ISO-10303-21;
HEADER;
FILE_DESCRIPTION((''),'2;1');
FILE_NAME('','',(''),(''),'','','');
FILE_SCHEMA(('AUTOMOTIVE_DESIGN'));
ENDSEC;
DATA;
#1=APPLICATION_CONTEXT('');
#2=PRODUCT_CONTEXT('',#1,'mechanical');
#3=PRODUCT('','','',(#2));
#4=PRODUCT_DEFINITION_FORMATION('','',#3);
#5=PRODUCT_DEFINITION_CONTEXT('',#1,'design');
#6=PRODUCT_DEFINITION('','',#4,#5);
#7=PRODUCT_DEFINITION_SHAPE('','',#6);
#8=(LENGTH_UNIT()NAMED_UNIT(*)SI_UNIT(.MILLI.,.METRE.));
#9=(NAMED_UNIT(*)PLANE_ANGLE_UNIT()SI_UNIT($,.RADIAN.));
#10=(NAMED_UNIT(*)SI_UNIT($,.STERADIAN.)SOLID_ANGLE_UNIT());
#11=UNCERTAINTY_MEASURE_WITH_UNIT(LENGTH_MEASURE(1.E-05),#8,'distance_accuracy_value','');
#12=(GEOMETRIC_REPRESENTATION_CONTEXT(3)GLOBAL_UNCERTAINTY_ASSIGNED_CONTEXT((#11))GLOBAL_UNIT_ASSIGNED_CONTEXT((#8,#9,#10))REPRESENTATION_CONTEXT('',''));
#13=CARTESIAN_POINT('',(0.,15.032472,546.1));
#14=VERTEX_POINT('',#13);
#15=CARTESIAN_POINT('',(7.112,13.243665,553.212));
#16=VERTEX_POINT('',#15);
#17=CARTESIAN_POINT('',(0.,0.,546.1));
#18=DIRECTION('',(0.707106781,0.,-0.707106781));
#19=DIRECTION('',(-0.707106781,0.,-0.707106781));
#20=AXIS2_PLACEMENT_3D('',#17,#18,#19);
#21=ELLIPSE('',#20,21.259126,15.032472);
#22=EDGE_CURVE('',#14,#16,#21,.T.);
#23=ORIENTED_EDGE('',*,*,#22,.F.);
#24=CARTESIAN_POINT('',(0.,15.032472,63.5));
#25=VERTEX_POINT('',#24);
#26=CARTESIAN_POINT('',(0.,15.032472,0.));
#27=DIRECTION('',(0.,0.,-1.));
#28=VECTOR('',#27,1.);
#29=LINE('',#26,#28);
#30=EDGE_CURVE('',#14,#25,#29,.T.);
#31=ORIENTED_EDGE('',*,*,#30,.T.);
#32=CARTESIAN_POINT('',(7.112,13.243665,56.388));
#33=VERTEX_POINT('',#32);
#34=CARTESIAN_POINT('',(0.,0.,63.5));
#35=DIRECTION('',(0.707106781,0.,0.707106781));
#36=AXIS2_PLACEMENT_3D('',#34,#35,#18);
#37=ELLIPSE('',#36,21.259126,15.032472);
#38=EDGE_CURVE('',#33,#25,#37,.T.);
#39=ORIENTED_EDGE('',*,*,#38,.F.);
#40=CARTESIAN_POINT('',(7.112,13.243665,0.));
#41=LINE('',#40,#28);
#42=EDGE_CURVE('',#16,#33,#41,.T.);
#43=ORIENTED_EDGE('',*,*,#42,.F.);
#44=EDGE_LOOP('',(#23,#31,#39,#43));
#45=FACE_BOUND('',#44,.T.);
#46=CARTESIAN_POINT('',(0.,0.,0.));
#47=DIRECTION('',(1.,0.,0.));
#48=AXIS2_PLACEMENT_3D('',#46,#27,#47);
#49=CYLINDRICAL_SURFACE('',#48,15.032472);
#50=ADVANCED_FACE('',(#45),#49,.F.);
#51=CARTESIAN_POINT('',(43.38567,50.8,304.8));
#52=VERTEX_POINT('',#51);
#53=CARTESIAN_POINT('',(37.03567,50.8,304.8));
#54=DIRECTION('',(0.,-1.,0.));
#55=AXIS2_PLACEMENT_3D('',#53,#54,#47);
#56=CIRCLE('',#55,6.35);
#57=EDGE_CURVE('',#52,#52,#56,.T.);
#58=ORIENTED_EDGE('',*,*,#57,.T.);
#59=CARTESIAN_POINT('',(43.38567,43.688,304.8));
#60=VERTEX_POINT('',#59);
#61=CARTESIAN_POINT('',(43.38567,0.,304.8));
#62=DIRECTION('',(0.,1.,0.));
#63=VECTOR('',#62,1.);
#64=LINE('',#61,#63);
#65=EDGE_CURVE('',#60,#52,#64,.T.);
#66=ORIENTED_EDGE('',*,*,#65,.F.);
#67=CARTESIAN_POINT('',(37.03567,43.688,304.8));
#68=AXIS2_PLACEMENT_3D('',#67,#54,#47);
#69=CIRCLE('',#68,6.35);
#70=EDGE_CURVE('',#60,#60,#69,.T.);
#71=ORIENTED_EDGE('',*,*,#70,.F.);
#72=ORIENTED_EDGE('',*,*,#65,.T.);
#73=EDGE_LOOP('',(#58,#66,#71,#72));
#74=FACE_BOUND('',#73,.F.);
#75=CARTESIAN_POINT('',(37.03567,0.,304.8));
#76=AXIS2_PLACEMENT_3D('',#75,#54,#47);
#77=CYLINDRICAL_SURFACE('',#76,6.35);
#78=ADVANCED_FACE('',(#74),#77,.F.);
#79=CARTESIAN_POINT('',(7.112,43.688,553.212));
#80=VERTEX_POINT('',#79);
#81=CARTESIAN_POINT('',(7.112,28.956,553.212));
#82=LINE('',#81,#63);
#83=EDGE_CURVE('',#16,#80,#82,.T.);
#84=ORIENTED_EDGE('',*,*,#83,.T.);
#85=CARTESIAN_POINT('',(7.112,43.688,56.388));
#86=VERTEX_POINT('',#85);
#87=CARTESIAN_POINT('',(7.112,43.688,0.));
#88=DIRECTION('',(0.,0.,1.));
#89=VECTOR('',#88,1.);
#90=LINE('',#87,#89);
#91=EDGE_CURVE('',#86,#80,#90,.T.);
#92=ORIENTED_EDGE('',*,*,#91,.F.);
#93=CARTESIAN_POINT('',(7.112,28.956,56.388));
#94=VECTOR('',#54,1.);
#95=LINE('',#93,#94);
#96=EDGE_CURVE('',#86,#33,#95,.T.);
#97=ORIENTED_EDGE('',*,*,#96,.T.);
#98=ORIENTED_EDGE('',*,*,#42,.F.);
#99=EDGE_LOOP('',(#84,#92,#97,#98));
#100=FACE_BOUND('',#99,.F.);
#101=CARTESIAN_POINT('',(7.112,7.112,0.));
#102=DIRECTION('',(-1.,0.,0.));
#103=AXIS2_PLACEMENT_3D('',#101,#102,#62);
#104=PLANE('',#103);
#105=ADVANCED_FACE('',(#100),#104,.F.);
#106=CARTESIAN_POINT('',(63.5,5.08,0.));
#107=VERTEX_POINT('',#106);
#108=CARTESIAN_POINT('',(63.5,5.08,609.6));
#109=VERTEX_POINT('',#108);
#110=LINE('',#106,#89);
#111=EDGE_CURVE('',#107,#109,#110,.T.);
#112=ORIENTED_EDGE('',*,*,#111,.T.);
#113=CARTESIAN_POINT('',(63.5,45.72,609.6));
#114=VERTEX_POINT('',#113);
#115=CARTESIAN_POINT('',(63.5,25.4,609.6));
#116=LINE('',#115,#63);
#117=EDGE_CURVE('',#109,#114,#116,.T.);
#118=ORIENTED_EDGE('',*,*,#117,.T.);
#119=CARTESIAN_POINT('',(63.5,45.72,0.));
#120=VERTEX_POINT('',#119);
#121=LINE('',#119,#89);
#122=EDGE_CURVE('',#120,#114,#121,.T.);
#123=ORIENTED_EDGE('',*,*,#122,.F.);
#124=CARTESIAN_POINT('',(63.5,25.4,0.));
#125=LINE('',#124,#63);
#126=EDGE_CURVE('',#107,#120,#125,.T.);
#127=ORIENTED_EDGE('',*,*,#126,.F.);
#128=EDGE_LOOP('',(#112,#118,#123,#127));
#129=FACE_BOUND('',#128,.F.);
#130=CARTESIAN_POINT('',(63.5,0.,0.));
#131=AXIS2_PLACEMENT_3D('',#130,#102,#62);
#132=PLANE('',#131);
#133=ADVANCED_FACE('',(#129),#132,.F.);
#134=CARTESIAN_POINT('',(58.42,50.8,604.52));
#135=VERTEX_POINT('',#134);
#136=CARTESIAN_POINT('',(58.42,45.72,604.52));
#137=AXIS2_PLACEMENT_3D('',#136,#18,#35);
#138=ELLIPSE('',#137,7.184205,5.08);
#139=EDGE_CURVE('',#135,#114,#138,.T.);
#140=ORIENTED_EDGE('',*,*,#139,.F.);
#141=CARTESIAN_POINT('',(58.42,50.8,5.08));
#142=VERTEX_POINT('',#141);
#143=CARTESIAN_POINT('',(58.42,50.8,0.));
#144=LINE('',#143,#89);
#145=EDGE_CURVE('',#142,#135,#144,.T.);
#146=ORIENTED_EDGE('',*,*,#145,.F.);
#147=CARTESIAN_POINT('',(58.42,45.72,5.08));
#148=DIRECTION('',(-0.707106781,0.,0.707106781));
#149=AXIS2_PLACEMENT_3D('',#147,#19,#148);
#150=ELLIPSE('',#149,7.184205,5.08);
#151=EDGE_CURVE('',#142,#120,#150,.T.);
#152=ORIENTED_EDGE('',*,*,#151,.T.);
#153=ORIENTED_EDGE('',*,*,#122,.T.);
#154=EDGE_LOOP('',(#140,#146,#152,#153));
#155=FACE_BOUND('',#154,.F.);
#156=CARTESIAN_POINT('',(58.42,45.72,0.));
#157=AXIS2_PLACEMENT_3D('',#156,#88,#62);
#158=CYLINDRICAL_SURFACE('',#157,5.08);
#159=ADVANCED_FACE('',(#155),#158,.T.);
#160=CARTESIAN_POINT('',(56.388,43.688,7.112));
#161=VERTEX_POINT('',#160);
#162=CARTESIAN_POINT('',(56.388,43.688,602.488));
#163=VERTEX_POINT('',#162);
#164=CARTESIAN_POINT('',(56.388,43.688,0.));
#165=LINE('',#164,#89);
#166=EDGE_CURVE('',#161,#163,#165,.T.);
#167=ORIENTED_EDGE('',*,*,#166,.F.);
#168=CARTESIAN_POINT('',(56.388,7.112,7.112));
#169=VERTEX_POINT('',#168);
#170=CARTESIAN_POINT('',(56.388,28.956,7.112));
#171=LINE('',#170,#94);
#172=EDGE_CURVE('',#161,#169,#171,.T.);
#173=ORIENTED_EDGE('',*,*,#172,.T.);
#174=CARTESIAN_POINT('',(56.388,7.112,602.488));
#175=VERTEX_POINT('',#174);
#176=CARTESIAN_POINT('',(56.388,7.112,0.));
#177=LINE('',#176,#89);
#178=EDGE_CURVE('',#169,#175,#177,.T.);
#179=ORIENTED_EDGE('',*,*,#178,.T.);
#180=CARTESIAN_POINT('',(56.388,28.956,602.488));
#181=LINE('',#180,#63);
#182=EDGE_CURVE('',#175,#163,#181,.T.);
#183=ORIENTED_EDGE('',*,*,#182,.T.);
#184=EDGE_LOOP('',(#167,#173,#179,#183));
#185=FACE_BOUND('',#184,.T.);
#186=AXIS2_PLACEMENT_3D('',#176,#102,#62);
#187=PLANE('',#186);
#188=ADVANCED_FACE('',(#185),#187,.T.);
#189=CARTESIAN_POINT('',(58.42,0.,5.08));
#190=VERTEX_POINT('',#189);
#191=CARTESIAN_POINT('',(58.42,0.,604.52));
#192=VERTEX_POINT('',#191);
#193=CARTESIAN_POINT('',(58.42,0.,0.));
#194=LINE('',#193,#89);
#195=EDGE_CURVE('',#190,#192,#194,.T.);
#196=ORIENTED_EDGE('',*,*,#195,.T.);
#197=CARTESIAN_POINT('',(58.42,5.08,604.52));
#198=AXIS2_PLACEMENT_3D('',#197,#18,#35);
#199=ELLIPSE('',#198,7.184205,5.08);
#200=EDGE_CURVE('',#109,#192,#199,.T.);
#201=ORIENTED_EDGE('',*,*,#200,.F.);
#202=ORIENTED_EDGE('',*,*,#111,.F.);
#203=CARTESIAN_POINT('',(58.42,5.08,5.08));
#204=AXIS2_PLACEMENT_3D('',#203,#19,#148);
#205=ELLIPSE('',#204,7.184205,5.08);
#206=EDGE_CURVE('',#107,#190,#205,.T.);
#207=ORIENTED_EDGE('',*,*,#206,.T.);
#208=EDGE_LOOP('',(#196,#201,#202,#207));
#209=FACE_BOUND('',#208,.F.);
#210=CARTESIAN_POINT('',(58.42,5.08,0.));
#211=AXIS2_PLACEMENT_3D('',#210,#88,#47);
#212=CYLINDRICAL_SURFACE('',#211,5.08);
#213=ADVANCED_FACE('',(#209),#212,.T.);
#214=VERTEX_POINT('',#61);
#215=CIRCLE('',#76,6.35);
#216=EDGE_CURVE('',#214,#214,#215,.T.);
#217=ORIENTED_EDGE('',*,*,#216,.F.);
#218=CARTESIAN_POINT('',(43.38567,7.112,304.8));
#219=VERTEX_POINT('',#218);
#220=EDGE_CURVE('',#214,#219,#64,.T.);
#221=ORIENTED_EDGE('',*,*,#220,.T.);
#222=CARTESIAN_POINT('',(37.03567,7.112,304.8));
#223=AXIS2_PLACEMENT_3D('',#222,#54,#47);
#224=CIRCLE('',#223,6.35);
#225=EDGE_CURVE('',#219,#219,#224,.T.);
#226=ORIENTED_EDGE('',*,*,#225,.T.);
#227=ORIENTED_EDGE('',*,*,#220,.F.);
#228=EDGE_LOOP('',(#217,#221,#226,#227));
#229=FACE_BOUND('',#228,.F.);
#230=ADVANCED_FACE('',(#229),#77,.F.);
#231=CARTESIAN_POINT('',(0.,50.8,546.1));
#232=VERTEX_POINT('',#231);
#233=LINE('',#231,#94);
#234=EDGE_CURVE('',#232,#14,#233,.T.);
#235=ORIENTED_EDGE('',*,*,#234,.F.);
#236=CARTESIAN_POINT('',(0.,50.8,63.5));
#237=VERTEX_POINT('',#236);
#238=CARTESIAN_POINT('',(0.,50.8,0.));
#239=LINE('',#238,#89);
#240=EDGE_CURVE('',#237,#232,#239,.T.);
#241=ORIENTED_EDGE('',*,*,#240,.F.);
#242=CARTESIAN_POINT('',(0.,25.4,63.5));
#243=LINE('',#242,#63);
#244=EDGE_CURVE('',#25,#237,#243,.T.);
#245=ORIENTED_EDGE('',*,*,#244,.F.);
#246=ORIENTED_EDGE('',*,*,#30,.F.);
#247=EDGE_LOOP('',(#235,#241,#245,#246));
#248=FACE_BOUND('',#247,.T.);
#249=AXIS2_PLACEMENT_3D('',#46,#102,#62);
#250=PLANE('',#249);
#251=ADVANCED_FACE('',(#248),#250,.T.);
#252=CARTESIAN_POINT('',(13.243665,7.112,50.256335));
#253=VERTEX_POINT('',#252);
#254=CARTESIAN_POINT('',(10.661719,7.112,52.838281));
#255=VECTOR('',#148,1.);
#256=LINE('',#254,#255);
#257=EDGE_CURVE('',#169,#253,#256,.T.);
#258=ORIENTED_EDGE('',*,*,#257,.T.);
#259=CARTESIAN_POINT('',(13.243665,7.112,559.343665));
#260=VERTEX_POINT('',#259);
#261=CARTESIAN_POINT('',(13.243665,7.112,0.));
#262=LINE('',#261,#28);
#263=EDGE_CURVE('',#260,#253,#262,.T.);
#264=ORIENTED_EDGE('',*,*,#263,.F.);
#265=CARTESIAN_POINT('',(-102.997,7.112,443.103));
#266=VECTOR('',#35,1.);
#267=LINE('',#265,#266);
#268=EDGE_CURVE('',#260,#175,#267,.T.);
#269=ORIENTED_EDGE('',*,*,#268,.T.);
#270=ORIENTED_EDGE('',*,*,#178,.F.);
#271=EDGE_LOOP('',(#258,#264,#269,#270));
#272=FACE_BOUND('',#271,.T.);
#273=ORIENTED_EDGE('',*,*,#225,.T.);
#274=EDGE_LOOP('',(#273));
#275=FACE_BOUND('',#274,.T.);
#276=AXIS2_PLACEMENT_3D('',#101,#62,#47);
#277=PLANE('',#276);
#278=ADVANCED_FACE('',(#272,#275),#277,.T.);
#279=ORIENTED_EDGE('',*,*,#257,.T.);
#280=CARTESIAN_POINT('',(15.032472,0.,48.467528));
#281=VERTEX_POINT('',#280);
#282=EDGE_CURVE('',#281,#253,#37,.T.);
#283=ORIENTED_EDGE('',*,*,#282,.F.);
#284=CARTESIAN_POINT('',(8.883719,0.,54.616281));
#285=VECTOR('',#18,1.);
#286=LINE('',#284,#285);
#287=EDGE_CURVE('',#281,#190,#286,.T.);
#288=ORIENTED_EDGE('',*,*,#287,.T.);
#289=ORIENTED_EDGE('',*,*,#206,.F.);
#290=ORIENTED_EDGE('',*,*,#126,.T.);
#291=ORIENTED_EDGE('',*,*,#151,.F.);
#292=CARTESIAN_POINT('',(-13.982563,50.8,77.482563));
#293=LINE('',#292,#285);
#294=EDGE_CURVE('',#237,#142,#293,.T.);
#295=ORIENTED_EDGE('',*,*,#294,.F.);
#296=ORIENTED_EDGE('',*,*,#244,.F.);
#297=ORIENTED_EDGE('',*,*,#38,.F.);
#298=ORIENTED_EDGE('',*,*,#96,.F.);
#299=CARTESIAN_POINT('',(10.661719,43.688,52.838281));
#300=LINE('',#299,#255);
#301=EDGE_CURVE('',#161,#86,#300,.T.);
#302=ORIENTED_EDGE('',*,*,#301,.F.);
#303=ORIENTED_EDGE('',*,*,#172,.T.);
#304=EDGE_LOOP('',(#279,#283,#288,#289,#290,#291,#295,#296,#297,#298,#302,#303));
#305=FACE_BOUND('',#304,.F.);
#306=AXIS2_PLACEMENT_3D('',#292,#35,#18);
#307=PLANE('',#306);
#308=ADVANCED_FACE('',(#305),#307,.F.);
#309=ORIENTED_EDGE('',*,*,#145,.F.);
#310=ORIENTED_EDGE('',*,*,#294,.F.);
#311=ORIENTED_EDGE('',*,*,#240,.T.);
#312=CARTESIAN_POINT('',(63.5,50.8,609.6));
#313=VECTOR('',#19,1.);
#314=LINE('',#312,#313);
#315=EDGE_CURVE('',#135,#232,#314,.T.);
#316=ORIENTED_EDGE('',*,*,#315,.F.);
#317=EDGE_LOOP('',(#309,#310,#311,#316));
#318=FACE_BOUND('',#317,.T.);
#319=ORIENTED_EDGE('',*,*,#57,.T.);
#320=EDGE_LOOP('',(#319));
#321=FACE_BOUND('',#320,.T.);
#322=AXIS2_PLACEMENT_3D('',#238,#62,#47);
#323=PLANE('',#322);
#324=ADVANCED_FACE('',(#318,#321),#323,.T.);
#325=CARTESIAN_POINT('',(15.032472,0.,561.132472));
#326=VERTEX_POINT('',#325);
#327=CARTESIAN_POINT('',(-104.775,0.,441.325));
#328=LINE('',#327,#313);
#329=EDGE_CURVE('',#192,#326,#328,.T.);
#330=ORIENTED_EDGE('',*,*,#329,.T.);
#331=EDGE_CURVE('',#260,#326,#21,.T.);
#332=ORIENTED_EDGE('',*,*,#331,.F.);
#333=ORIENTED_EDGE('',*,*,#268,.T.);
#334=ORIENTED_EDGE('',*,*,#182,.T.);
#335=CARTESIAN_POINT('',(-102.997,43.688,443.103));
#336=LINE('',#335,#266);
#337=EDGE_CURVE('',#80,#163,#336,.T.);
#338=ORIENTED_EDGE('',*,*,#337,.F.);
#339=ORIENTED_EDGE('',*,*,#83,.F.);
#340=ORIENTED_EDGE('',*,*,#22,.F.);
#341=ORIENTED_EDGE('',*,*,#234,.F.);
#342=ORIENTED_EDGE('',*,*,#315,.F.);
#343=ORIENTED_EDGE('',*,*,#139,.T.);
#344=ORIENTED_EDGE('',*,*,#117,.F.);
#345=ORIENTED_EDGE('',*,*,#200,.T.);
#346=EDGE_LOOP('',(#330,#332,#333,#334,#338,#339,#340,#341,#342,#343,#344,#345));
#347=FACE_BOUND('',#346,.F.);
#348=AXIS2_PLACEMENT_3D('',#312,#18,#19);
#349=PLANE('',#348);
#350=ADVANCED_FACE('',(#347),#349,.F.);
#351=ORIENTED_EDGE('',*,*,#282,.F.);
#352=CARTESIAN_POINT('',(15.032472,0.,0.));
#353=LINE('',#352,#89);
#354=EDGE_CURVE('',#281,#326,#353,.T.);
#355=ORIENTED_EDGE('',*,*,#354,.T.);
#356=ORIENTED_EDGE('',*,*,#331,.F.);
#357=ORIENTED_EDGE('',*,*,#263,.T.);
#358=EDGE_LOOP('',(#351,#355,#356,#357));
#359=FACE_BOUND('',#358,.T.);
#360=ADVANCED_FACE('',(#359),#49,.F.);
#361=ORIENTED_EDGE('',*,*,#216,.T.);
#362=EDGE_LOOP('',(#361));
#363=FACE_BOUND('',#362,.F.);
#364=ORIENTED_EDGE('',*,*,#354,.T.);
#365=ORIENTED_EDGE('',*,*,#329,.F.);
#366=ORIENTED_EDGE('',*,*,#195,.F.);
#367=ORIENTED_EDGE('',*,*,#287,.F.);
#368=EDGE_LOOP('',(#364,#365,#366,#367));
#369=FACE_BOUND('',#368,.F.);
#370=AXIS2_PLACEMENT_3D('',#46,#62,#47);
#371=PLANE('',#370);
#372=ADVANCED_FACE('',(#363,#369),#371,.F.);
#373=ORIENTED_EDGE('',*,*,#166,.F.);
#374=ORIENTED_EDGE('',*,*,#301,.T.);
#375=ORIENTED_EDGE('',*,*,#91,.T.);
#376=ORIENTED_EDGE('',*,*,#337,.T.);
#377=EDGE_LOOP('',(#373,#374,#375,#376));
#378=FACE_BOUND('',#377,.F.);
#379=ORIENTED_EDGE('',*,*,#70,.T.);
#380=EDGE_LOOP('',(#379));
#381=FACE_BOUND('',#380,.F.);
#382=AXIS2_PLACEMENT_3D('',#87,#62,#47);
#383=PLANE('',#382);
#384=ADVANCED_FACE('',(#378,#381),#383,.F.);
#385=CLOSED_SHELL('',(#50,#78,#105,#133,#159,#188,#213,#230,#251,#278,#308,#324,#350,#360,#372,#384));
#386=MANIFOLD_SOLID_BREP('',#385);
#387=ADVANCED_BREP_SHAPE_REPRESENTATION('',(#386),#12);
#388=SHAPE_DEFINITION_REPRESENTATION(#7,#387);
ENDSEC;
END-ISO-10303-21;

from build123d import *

# Parameters (mm, degrees)
F0_W      = 63.5
F0_H      = 50.8
F1_DEPTH  = 609.6
F3_DEPTH  = 76.2
F5_R      = 15.0324721588
F6_DEPTH  = 609.6
F7_R      = 5.08
F8_R      = 6.35
F9_DEPTH  = 76.2
F4_W      = 49.2759997249
F4_H      = 36.5759997249
F10_DEPTH = 609.6


with BuildPart() as f1:
    # F0 (on Top) → F1 (new body)
    with BuildSketch(Plane.XY):
        with Locations((31.75, 25.4)):
            Rectangle(F0_W, F0_H)
    extrude(amount=F1_DEPTH)

    # F2 (on face) → F3 (cut)
    with BuildSketch(Plane(origin=(0, 50.8, 0), x_dir=(-1, 0, 0), z_dir=(0, 1, 0))):
        Polygon((13.9825628959, 77.4825628959), (0, 63.5), (0, 0), (40.1009321213, 0), align=None)
        Polygon((0, 63.5), (-63.5, 0), (0, 0), align=None)
        Polygon((0, 609.6), (-63.5, 609.6), (0, 546.1), align=None)
    extrude(amount=-F3_DEPTH, mode=Mode.SUBTRACT)

    # F5 (on Top) → F6 (cut)
    with BuildSketch(Plane.XY):
        Circle(F5_R)
    extrude(amount=F6_DEPTH, mode=Mode.SUBTRACT)

    # F7
    f7_edges = [f1.edges().sort_by_distance(p)[0] for p in [
        (63.5, 50.8, 304.8),
        (63.5, 0, 304.8),
    ]]
    fillet(f7_edges, radius=F7_R)

    # F8 (on face) → F9 (cut)
    with BuildSketch(Plane.XZ):
        with Locations((37.0356701314, 304.8)):
            Circle(F8_R)
    extrude(amount=-F9_DEPTH, mode=Mode.SUBTRACT)

    # F4 (on Top) → F10 (cut)
    with BuildSketch(Plane.XY):
        with Locations((31.75, 25.4)):
            Rectangle(F4_W, F4_H)
    extrude(amount=F10_DEPTH, mode=Mode.SUBTRACT)


solid = f1.part
